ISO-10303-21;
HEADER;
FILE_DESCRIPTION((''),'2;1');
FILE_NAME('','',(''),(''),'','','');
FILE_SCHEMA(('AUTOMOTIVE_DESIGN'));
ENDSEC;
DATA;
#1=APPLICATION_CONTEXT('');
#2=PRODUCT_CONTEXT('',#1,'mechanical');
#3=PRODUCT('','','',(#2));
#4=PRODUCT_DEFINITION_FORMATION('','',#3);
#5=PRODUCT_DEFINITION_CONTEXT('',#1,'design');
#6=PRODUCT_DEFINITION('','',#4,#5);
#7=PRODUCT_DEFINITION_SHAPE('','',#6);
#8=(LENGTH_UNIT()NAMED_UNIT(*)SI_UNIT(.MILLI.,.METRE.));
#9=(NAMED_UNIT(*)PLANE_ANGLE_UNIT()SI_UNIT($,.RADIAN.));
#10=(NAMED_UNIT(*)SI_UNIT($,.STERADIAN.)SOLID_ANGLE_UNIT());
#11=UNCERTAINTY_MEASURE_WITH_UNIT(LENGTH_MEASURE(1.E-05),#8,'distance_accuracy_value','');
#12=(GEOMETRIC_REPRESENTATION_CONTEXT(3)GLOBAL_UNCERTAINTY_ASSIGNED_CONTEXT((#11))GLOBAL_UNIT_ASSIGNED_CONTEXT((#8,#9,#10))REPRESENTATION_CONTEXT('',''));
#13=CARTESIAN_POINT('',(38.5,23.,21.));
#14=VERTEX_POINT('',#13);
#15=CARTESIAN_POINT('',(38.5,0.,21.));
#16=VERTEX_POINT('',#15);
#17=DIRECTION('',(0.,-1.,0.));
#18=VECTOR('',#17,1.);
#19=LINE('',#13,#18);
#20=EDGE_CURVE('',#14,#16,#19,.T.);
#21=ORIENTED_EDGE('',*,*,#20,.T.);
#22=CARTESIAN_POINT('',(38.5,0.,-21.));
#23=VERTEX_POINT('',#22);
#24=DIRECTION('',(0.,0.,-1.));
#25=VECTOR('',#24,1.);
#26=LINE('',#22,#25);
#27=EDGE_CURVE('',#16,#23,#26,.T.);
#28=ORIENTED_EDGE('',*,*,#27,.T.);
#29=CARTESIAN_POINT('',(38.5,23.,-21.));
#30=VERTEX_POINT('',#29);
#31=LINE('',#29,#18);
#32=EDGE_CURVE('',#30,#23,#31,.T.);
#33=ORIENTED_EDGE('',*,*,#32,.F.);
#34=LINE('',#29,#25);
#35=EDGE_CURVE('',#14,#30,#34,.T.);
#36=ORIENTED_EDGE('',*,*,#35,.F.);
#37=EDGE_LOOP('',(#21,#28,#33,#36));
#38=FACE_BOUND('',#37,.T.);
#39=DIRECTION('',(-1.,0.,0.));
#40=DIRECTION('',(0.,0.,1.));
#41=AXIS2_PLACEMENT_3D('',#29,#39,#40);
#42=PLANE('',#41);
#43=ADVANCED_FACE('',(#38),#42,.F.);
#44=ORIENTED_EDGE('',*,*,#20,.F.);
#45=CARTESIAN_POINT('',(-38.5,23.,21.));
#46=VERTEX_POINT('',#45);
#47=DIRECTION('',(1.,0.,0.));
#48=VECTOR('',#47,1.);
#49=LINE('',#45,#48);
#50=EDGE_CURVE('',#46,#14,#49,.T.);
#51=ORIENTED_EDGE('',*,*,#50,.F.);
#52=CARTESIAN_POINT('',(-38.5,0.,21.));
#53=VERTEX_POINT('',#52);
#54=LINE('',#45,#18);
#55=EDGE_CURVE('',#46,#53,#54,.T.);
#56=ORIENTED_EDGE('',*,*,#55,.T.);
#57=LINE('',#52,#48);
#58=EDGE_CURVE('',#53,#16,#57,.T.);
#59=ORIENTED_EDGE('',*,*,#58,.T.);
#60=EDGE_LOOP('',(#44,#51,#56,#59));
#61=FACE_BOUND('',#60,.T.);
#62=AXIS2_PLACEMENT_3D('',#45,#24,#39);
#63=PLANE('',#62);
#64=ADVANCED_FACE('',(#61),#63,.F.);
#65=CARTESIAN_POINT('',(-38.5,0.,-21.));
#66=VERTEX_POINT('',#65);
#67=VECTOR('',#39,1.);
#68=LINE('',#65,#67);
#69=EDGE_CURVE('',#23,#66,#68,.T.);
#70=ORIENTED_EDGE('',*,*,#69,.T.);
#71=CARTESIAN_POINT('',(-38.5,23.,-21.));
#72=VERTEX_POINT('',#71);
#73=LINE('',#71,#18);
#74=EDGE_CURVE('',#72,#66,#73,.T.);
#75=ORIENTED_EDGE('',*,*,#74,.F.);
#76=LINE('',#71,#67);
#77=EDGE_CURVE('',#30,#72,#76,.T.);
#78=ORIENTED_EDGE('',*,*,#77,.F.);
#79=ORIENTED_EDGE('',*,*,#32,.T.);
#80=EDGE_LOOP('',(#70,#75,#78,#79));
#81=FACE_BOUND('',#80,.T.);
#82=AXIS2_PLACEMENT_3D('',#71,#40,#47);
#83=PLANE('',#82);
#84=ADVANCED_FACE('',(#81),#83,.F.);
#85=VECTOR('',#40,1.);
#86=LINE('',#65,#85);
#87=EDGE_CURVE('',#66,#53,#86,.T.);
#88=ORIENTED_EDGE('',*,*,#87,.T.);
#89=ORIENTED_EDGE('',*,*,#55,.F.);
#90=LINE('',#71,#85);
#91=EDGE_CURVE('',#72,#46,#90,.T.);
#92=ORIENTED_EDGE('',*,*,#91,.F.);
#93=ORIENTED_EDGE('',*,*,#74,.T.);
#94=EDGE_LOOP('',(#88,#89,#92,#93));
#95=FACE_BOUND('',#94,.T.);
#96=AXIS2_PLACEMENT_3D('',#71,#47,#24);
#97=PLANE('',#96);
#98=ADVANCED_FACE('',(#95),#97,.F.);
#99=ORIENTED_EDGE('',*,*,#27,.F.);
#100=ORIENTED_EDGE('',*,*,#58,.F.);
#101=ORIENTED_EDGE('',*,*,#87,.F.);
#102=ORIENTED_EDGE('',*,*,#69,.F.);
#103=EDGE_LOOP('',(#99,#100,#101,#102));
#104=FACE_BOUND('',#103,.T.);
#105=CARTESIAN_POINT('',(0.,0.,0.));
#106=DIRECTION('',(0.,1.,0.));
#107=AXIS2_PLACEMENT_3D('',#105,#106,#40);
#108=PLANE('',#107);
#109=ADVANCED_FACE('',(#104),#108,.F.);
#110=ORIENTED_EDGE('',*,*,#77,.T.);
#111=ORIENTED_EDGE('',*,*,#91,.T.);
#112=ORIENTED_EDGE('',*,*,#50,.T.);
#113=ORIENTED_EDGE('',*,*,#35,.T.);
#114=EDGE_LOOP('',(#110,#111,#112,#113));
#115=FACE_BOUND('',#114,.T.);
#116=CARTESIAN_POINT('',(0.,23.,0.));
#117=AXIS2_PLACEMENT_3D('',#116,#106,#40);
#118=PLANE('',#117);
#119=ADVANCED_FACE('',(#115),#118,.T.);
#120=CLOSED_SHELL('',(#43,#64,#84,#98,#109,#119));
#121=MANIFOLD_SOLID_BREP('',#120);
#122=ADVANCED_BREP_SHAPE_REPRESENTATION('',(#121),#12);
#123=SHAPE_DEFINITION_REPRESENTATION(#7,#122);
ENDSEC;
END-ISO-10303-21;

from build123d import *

# Parameters (mm, degrees)
SKETCH_1_W      = 77
SKETCH_1_H      = 42
EXTRUDE_1_DEPTH = 23


with BuildPart() as part:
    # 草图1 → 凸台-拉伸1 (new body)
    with BuildSketch(Plane(origin=(0, 0, 0), x_dir=(1, 0, 0), z_dir=(0, 1, 0))):
        Rectangle(SKETCH_1_W, SKETCH_1_H)
    extrude(amount=EXTRUDE_1_DEPTH)


solid = part.part
